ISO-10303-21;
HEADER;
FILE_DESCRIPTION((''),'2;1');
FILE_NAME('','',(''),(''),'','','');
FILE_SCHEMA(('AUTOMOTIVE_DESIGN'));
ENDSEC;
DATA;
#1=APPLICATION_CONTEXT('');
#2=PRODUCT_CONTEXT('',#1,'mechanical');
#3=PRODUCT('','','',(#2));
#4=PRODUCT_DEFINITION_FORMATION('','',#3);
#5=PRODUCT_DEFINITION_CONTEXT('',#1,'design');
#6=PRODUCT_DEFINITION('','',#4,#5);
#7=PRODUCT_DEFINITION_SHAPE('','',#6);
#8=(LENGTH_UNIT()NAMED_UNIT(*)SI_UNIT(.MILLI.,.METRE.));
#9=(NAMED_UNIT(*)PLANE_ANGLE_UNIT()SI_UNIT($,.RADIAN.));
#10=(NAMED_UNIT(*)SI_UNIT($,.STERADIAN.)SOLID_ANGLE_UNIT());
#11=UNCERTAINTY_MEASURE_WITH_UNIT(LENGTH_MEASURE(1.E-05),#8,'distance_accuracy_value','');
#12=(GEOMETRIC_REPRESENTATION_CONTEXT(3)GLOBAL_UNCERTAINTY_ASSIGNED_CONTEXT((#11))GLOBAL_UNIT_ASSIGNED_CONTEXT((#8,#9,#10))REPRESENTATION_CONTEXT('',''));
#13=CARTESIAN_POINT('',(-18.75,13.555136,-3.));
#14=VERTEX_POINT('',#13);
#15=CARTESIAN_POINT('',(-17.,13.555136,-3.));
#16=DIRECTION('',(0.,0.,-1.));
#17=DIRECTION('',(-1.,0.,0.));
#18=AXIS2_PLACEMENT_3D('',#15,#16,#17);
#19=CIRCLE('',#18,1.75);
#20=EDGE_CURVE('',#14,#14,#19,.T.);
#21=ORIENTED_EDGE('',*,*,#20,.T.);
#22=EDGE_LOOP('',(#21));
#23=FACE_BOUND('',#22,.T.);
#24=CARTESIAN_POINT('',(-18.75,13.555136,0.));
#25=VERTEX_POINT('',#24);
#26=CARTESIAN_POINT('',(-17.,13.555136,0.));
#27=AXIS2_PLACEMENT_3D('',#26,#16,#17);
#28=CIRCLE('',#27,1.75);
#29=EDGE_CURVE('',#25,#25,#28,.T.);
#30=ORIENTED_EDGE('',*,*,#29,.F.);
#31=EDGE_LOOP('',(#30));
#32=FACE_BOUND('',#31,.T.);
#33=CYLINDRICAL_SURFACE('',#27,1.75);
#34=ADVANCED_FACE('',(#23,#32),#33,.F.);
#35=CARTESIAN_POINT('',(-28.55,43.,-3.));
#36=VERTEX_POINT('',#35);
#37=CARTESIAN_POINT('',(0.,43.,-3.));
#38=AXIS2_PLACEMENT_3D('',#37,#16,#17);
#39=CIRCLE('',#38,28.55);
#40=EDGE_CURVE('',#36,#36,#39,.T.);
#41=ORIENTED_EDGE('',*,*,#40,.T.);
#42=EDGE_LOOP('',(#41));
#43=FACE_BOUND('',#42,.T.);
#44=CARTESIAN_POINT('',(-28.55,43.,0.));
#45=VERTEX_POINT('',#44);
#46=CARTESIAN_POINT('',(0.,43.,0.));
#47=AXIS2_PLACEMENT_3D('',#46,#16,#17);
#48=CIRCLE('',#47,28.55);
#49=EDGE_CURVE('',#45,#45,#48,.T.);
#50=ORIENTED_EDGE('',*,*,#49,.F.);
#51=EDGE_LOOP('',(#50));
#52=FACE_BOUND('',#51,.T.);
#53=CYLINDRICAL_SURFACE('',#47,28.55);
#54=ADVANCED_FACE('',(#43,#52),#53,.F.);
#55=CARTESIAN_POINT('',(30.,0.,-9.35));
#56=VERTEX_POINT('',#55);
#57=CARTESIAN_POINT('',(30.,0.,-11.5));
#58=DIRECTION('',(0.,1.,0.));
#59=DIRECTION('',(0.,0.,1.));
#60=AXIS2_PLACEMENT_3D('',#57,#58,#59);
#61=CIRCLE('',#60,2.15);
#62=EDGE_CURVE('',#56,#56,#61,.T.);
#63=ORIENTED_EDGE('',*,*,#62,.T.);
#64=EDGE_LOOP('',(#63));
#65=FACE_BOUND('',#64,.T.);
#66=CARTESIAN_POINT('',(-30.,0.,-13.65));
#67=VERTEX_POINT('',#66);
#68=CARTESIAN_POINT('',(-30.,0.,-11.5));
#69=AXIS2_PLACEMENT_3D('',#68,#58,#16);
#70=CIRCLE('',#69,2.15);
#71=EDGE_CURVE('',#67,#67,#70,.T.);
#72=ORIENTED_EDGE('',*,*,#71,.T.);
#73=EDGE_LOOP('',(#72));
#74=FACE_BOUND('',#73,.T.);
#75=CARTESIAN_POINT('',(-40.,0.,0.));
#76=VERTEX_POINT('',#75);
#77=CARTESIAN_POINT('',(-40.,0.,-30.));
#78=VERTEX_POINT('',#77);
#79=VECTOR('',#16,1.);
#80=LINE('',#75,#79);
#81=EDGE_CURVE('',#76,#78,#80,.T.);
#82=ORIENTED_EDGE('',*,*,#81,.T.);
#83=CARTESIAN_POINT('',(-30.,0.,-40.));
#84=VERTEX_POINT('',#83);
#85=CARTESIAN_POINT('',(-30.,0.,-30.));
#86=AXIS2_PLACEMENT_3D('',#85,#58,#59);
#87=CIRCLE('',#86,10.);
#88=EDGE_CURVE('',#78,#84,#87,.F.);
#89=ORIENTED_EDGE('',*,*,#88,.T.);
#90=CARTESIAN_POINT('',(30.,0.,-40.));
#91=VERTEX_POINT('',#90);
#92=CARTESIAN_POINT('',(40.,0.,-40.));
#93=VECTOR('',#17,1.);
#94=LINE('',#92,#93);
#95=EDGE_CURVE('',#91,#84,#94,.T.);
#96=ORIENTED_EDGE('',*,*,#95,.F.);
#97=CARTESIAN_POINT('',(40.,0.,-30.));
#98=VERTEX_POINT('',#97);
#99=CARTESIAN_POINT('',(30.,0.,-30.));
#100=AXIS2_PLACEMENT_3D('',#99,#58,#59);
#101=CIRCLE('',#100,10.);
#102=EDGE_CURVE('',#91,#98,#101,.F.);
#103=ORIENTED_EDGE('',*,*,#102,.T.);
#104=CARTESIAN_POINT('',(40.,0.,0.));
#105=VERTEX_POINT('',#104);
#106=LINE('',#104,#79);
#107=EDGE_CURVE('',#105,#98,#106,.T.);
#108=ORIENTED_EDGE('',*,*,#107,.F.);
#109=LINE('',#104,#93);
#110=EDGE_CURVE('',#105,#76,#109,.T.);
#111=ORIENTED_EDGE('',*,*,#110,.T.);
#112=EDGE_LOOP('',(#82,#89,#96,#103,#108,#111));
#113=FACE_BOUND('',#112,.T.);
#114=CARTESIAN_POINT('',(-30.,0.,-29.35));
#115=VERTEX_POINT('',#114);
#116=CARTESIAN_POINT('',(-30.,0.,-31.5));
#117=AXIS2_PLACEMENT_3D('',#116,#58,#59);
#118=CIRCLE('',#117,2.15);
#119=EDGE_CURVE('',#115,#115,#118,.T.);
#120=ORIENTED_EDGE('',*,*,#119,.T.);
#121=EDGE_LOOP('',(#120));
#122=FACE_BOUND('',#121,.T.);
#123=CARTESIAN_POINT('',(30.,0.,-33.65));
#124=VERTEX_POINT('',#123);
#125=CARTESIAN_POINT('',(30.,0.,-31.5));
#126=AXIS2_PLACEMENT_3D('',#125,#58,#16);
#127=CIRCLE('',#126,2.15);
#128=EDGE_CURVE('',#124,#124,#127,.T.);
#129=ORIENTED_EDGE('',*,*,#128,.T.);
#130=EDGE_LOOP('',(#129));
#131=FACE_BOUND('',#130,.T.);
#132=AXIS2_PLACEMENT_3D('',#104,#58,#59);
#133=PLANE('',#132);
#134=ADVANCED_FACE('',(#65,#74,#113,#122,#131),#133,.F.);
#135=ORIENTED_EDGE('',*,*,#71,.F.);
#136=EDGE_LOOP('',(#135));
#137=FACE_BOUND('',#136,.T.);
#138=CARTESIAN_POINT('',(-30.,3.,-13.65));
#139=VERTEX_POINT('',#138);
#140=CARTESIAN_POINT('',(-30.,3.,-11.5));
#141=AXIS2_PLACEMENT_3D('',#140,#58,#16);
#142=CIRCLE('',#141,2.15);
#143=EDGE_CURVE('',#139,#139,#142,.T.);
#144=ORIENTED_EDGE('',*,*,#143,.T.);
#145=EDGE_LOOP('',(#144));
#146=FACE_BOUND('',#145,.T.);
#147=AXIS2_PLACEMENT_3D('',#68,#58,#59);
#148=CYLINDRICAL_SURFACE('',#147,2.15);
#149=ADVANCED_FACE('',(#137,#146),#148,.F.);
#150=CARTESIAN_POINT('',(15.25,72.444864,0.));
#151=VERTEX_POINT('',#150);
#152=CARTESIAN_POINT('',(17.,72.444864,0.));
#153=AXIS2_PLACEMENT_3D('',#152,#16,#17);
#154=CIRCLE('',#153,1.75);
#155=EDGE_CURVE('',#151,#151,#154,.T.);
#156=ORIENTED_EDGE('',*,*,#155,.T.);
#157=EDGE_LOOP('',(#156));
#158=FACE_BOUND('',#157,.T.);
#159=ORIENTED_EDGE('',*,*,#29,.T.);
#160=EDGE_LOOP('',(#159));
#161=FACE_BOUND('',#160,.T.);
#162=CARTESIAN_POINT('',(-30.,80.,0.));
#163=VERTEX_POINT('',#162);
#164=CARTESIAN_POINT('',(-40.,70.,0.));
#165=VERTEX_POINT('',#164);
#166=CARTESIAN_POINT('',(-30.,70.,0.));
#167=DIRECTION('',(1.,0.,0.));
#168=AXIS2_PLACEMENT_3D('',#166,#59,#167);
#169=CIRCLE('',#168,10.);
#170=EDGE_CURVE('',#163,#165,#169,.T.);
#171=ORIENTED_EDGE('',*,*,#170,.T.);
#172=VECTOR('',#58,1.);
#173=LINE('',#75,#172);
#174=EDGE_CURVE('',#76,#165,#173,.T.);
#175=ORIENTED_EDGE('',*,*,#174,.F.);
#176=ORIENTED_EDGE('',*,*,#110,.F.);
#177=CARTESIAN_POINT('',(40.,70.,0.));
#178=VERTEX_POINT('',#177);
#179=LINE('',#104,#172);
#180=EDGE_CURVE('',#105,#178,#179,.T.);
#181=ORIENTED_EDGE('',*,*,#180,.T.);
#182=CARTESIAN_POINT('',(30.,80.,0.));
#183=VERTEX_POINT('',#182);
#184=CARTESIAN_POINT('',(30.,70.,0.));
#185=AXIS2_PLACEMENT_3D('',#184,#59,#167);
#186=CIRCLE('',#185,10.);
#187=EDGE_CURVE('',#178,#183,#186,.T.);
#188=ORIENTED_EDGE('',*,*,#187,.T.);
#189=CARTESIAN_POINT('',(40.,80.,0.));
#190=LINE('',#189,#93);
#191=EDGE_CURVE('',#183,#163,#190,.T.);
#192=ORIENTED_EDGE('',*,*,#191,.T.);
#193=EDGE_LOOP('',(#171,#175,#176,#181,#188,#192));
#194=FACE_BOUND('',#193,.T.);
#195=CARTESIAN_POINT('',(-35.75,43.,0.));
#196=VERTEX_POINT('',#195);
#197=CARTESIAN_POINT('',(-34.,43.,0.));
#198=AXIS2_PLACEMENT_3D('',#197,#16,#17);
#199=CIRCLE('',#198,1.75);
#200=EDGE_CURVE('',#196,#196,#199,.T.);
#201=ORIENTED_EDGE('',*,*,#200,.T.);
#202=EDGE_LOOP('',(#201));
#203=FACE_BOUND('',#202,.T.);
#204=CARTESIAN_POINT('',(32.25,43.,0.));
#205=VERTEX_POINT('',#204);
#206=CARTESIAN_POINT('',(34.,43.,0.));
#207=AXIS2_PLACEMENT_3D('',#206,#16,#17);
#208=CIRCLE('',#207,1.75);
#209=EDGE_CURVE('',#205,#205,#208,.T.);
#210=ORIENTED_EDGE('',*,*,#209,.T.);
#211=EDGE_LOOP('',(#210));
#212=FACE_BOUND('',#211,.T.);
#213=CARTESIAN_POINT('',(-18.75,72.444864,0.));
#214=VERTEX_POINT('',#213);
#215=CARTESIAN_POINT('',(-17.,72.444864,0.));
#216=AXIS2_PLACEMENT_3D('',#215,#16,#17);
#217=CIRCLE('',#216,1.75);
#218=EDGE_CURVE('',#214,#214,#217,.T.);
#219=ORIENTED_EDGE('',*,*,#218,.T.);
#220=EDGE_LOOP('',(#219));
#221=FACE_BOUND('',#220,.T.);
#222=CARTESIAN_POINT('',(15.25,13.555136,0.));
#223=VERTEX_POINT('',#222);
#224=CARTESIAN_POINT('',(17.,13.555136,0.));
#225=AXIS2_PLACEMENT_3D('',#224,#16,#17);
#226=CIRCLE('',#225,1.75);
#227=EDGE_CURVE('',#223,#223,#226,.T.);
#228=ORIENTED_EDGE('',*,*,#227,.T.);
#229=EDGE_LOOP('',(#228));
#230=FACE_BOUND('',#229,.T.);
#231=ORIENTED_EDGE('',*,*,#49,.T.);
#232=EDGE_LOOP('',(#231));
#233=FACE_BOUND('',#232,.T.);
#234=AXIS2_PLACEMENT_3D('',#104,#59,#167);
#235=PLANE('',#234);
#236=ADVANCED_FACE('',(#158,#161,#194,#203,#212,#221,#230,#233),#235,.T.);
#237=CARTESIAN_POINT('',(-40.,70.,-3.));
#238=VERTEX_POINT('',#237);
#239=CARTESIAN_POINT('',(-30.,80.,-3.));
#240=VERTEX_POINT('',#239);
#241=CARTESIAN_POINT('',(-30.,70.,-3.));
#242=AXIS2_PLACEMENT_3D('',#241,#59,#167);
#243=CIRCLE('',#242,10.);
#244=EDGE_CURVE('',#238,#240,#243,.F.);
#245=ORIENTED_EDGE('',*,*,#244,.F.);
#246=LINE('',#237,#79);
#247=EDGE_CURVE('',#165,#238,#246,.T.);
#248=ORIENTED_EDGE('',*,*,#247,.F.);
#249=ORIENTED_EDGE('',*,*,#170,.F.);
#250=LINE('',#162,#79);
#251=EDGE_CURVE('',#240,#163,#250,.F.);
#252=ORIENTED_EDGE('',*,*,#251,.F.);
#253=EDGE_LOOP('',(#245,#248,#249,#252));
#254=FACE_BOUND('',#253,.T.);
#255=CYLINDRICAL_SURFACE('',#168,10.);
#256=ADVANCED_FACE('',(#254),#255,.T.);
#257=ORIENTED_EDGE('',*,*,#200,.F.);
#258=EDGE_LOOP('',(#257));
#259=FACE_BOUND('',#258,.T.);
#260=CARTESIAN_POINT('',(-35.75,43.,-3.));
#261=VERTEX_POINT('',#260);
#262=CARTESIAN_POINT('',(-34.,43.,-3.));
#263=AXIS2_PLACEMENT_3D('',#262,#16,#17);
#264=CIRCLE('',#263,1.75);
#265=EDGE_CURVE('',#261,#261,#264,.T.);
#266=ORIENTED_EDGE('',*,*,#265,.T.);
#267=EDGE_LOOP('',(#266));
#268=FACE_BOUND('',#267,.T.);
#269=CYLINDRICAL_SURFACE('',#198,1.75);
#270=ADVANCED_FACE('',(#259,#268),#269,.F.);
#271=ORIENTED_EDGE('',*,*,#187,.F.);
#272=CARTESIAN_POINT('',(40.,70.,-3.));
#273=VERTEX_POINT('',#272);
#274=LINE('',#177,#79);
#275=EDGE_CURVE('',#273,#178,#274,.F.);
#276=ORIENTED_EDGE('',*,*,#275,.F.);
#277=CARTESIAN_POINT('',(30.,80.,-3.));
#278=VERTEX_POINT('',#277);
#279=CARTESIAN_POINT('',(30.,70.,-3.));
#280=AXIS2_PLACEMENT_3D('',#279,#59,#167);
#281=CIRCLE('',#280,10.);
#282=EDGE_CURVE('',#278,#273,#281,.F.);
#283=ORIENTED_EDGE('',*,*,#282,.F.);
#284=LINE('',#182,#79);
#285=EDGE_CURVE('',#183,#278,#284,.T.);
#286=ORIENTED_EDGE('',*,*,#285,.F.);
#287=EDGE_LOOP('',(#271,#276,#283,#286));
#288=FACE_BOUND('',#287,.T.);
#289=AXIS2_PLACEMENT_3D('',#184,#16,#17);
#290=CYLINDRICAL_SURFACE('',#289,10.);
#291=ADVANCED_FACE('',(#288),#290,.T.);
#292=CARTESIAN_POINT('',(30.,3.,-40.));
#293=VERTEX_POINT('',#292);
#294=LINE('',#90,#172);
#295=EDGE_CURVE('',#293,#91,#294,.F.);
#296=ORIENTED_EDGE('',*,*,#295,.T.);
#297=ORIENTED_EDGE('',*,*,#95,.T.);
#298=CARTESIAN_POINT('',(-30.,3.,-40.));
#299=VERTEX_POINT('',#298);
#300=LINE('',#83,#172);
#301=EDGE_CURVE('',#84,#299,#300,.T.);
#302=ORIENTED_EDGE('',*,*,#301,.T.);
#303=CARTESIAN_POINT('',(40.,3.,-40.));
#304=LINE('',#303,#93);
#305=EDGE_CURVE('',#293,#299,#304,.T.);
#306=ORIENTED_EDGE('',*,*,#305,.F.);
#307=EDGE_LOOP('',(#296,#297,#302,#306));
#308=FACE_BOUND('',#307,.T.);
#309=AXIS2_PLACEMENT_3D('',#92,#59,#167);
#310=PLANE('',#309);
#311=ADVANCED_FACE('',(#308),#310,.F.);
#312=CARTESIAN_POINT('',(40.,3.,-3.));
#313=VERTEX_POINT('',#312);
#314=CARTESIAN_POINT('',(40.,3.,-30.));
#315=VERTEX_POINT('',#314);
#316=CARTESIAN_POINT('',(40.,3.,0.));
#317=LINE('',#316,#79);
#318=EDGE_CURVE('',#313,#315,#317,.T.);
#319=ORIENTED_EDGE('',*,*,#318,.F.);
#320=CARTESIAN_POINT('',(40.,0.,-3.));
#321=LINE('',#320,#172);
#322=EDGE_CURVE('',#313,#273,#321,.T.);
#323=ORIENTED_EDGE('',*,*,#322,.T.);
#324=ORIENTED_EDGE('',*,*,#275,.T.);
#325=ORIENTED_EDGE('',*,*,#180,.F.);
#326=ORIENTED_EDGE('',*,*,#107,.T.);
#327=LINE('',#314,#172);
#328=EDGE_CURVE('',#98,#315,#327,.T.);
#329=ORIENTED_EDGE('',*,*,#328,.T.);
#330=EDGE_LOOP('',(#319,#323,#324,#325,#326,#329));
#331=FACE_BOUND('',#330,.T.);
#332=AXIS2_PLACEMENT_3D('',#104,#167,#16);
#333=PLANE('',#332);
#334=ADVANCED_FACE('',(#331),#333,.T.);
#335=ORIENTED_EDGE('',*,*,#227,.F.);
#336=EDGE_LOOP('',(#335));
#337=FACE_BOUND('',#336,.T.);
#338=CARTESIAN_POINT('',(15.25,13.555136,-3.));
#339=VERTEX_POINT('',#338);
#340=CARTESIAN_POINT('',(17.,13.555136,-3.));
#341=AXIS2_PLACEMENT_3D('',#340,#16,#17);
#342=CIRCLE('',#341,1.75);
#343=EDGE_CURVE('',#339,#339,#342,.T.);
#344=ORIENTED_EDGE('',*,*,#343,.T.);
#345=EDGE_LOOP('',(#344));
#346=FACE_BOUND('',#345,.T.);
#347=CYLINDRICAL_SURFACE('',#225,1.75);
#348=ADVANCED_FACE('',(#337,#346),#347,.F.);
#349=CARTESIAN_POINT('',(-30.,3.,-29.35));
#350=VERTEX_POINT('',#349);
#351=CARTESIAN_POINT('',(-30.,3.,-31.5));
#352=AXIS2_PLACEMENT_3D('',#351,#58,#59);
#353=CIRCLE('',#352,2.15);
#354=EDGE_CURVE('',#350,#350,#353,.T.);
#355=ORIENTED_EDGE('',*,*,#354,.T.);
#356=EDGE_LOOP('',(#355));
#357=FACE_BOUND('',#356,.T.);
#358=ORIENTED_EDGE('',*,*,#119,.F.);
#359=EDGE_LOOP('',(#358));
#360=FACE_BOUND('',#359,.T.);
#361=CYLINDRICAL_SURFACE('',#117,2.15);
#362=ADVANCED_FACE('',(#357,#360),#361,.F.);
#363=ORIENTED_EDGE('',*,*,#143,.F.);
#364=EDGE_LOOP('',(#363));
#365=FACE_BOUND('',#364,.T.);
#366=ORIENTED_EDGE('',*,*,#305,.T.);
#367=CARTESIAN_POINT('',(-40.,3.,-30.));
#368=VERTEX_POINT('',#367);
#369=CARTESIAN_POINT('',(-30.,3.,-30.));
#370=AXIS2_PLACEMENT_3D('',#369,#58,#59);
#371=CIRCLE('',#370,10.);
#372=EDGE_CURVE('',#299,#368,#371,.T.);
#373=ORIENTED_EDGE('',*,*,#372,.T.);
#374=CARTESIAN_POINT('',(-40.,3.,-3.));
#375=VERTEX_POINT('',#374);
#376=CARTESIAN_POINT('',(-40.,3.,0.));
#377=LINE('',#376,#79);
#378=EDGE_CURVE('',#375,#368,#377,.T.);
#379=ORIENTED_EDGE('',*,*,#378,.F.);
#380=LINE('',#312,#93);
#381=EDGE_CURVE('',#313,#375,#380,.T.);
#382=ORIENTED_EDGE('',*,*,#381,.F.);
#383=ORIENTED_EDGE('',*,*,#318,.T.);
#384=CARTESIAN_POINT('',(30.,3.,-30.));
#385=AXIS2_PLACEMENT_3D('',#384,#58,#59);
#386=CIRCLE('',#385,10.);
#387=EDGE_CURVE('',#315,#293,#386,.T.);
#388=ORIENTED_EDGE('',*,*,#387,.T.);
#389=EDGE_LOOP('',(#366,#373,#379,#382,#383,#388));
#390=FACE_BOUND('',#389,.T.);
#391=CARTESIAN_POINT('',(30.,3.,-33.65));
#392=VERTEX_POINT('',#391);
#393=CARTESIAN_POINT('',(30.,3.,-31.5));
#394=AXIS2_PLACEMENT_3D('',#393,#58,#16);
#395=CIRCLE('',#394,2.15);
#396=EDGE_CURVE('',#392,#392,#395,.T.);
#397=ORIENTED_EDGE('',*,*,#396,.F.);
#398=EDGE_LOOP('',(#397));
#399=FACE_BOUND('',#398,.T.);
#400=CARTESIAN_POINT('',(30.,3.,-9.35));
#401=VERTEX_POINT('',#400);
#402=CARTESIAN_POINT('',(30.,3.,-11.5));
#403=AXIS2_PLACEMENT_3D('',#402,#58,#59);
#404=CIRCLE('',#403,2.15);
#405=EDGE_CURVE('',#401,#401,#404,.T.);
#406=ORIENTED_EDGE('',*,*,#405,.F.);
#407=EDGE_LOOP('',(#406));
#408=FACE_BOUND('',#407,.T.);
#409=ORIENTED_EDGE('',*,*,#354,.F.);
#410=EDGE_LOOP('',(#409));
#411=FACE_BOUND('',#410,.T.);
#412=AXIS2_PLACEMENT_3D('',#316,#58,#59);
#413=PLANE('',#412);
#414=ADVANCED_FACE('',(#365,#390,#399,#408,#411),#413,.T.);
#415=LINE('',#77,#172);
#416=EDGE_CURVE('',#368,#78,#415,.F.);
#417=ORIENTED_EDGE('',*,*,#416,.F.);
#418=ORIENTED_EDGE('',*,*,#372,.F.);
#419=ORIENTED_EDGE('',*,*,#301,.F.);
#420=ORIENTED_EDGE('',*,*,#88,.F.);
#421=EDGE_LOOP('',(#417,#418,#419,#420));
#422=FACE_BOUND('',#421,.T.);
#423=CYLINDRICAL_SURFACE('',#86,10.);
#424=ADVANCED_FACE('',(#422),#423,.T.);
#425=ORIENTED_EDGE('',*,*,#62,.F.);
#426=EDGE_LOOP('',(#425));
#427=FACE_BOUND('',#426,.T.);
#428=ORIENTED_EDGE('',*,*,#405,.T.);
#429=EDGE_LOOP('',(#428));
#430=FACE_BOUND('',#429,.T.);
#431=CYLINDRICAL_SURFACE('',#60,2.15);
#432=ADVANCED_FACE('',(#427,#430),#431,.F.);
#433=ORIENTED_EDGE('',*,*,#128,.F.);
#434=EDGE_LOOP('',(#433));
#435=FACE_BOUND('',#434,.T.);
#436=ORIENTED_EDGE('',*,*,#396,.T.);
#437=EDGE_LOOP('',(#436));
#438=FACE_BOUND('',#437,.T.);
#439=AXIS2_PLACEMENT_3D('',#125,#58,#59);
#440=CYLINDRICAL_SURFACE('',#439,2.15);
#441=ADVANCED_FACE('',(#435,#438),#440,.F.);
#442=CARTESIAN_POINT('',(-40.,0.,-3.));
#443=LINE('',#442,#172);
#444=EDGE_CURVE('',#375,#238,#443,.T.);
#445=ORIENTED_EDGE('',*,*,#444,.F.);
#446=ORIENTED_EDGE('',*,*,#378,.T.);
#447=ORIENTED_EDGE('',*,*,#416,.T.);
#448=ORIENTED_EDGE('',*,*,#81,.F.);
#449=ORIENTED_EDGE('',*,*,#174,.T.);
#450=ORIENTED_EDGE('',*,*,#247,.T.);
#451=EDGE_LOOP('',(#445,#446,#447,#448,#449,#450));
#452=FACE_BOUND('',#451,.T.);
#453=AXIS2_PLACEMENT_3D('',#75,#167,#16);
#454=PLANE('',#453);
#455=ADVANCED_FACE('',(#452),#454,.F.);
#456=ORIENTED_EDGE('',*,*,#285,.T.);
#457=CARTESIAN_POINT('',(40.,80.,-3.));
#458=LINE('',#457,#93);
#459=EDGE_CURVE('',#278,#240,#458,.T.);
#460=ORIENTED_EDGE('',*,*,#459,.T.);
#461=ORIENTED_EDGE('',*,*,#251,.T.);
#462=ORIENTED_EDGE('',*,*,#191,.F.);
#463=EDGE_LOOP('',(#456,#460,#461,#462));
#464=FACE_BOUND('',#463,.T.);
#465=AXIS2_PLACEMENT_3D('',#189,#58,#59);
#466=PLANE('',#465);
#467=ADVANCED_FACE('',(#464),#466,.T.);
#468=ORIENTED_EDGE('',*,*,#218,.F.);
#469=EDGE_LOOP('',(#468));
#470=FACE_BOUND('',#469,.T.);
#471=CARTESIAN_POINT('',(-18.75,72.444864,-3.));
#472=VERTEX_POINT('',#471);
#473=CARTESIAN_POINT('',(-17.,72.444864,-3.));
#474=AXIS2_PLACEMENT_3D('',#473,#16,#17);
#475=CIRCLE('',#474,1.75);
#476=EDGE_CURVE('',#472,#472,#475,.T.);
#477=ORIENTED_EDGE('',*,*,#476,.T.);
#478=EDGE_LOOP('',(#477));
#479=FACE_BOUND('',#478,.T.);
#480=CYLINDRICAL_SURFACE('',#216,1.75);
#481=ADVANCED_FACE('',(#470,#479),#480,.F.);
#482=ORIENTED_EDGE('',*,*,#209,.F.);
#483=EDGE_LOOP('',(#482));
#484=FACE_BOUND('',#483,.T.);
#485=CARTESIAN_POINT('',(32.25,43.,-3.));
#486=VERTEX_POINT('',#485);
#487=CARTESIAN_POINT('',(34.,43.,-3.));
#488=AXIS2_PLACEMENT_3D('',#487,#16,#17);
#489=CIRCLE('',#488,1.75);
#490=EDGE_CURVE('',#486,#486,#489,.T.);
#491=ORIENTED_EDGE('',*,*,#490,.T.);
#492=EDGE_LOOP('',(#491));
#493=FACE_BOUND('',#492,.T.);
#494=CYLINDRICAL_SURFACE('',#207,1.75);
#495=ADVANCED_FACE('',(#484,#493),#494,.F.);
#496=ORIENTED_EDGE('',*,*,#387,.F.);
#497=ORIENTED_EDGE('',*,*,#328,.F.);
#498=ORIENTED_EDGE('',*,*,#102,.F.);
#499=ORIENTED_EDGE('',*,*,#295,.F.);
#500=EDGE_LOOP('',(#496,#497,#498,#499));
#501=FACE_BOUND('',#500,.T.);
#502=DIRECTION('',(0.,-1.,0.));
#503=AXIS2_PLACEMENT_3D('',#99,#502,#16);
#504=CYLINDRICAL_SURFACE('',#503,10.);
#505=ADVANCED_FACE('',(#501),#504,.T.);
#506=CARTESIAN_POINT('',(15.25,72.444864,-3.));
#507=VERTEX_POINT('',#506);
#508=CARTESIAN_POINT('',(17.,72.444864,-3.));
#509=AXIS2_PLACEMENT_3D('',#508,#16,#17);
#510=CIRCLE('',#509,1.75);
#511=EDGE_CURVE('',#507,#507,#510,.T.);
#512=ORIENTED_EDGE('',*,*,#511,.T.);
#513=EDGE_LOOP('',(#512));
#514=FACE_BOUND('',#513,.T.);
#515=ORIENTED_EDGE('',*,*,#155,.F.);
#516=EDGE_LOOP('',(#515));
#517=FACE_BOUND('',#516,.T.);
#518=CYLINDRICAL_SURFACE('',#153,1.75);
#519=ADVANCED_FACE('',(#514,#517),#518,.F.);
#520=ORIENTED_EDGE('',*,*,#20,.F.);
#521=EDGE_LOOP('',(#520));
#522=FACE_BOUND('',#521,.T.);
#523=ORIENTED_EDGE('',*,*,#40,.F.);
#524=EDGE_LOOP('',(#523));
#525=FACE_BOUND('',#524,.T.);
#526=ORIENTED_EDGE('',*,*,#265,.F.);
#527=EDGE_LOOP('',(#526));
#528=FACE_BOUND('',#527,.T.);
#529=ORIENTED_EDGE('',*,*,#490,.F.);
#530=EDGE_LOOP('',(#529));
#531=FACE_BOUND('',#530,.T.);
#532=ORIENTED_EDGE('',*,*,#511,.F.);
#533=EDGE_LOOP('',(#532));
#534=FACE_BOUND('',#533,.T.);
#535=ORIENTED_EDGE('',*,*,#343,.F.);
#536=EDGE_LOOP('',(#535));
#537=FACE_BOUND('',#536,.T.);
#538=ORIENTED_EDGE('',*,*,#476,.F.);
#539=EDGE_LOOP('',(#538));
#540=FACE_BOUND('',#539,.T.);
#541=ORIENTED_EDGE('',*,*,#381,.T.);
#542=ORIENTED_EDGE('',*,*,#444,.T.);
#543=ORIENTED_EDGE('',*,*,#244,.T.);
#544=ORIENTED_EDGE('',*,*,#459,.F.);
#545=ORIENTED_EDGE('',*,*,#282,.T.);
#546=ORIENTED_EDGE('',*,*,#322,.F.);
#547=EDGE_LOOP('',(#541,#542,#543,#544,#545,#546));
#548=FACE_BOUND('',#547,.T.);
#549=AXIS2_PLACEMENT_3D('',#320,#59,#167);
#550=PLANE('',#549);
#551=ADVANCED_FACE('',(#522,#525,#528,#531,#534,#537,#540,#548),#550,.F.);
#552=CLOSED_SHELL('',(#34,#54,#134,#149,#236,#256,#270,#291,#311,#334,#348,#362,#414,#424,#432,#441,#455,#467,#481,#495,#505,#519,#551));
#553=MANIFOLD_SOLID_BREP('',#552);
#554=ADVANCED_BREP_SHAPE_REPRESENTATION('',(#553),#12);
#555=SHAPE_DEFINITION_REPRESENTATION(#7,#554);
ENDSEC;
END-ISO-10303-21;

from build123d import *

# Parameters (mm, degrees)
EXTRUDE_1_DEPTH        = 40
SKETCH_3_R             = 1.75
SKETCH_3_R_2           = 28.55
MOTOR_FIXED_HOLE_DEPTH = 4
SKETCH_4_R             = 2.15
BASE_HOLE_DEPTH        = 4
FILLET_1_R             = 10


with BuildPart() as part:
    # 草圖2 → 填料-伸長1 (new body, symmetric)
    with BuildSketch(Plane(origin=(0, 0, 0), x_dir=(0, 0, -1), z_dir=(1, 0, 0))):
        Polygon((0, 80), (0, 0), (40, 0), (40, 3), (3, 3), (3, 80), align=None)
    extrude(amount=EXTRUDE_1_DEPTH, both=True)

    # 草圖3 → motor_fixed_hole (cut, through all)
    with BuildSketch(Plane(origin=(0, 0, -3), x_dir=(-1, 0, 0), z_dir=(0, 0, -1))):
        with Locations((17, 72.444863729)):
            Circle(SKETCH_3_R)
        with Locations((34, 43)):
            Circle(SKETCH_3_R)
        with Locations((17, 13.555136271)):
            Circle(SKETCH_3_R)
        with Locations((-17, 13.555136271)):
            Circle(SKETCH_3_R)
        with Locations((-34, 43)):
            Circle(SKETCH_3_R)
        with Locations((-17, 72.444863729)):
            Circle(SKETCH_3_R)
        with Locations((0, 43)):
            Circle(SKETCH_3_R_2)
    extrude(amount=-MOTOR_FIXED_HOLE_DEPTH, mode=Mode.SUBTRACT)

    # 草圖4 → base_hole (cut, through all)
    with BuildSketch(Plane(origin=(0, 3, 0), x_dir=(1, 0, 0), z_dir=(0, 1, 0))):
        with Locations((-30, 31.5)):
            Circle(SKETCH_4_R)
        with Locations((-30, 11.5)):
            Circle(SKETCH_4_R)
        with Locations((30, 11.5)):
            Circle(SKETCH_4_R)
        with Locations((30, 31.5)):
            Circle(SKETCH_4_R)
    extrude(amount=-BASE_HOLE_DEPTH, mode=Mode.SUBTRACT)

    # 圓角1
    fillet_1_edges = [part.edges().sort_by_distance(p)[0] for p in [
        (40, 1.5, -40),
        (40, 80, -1.5),
        (-40, 80, -1.5),
        (-40, 1.5, -40),
    ]]
    fillet(fillet_1_edges, radius=FILLET_1_R)


solid = part.part
